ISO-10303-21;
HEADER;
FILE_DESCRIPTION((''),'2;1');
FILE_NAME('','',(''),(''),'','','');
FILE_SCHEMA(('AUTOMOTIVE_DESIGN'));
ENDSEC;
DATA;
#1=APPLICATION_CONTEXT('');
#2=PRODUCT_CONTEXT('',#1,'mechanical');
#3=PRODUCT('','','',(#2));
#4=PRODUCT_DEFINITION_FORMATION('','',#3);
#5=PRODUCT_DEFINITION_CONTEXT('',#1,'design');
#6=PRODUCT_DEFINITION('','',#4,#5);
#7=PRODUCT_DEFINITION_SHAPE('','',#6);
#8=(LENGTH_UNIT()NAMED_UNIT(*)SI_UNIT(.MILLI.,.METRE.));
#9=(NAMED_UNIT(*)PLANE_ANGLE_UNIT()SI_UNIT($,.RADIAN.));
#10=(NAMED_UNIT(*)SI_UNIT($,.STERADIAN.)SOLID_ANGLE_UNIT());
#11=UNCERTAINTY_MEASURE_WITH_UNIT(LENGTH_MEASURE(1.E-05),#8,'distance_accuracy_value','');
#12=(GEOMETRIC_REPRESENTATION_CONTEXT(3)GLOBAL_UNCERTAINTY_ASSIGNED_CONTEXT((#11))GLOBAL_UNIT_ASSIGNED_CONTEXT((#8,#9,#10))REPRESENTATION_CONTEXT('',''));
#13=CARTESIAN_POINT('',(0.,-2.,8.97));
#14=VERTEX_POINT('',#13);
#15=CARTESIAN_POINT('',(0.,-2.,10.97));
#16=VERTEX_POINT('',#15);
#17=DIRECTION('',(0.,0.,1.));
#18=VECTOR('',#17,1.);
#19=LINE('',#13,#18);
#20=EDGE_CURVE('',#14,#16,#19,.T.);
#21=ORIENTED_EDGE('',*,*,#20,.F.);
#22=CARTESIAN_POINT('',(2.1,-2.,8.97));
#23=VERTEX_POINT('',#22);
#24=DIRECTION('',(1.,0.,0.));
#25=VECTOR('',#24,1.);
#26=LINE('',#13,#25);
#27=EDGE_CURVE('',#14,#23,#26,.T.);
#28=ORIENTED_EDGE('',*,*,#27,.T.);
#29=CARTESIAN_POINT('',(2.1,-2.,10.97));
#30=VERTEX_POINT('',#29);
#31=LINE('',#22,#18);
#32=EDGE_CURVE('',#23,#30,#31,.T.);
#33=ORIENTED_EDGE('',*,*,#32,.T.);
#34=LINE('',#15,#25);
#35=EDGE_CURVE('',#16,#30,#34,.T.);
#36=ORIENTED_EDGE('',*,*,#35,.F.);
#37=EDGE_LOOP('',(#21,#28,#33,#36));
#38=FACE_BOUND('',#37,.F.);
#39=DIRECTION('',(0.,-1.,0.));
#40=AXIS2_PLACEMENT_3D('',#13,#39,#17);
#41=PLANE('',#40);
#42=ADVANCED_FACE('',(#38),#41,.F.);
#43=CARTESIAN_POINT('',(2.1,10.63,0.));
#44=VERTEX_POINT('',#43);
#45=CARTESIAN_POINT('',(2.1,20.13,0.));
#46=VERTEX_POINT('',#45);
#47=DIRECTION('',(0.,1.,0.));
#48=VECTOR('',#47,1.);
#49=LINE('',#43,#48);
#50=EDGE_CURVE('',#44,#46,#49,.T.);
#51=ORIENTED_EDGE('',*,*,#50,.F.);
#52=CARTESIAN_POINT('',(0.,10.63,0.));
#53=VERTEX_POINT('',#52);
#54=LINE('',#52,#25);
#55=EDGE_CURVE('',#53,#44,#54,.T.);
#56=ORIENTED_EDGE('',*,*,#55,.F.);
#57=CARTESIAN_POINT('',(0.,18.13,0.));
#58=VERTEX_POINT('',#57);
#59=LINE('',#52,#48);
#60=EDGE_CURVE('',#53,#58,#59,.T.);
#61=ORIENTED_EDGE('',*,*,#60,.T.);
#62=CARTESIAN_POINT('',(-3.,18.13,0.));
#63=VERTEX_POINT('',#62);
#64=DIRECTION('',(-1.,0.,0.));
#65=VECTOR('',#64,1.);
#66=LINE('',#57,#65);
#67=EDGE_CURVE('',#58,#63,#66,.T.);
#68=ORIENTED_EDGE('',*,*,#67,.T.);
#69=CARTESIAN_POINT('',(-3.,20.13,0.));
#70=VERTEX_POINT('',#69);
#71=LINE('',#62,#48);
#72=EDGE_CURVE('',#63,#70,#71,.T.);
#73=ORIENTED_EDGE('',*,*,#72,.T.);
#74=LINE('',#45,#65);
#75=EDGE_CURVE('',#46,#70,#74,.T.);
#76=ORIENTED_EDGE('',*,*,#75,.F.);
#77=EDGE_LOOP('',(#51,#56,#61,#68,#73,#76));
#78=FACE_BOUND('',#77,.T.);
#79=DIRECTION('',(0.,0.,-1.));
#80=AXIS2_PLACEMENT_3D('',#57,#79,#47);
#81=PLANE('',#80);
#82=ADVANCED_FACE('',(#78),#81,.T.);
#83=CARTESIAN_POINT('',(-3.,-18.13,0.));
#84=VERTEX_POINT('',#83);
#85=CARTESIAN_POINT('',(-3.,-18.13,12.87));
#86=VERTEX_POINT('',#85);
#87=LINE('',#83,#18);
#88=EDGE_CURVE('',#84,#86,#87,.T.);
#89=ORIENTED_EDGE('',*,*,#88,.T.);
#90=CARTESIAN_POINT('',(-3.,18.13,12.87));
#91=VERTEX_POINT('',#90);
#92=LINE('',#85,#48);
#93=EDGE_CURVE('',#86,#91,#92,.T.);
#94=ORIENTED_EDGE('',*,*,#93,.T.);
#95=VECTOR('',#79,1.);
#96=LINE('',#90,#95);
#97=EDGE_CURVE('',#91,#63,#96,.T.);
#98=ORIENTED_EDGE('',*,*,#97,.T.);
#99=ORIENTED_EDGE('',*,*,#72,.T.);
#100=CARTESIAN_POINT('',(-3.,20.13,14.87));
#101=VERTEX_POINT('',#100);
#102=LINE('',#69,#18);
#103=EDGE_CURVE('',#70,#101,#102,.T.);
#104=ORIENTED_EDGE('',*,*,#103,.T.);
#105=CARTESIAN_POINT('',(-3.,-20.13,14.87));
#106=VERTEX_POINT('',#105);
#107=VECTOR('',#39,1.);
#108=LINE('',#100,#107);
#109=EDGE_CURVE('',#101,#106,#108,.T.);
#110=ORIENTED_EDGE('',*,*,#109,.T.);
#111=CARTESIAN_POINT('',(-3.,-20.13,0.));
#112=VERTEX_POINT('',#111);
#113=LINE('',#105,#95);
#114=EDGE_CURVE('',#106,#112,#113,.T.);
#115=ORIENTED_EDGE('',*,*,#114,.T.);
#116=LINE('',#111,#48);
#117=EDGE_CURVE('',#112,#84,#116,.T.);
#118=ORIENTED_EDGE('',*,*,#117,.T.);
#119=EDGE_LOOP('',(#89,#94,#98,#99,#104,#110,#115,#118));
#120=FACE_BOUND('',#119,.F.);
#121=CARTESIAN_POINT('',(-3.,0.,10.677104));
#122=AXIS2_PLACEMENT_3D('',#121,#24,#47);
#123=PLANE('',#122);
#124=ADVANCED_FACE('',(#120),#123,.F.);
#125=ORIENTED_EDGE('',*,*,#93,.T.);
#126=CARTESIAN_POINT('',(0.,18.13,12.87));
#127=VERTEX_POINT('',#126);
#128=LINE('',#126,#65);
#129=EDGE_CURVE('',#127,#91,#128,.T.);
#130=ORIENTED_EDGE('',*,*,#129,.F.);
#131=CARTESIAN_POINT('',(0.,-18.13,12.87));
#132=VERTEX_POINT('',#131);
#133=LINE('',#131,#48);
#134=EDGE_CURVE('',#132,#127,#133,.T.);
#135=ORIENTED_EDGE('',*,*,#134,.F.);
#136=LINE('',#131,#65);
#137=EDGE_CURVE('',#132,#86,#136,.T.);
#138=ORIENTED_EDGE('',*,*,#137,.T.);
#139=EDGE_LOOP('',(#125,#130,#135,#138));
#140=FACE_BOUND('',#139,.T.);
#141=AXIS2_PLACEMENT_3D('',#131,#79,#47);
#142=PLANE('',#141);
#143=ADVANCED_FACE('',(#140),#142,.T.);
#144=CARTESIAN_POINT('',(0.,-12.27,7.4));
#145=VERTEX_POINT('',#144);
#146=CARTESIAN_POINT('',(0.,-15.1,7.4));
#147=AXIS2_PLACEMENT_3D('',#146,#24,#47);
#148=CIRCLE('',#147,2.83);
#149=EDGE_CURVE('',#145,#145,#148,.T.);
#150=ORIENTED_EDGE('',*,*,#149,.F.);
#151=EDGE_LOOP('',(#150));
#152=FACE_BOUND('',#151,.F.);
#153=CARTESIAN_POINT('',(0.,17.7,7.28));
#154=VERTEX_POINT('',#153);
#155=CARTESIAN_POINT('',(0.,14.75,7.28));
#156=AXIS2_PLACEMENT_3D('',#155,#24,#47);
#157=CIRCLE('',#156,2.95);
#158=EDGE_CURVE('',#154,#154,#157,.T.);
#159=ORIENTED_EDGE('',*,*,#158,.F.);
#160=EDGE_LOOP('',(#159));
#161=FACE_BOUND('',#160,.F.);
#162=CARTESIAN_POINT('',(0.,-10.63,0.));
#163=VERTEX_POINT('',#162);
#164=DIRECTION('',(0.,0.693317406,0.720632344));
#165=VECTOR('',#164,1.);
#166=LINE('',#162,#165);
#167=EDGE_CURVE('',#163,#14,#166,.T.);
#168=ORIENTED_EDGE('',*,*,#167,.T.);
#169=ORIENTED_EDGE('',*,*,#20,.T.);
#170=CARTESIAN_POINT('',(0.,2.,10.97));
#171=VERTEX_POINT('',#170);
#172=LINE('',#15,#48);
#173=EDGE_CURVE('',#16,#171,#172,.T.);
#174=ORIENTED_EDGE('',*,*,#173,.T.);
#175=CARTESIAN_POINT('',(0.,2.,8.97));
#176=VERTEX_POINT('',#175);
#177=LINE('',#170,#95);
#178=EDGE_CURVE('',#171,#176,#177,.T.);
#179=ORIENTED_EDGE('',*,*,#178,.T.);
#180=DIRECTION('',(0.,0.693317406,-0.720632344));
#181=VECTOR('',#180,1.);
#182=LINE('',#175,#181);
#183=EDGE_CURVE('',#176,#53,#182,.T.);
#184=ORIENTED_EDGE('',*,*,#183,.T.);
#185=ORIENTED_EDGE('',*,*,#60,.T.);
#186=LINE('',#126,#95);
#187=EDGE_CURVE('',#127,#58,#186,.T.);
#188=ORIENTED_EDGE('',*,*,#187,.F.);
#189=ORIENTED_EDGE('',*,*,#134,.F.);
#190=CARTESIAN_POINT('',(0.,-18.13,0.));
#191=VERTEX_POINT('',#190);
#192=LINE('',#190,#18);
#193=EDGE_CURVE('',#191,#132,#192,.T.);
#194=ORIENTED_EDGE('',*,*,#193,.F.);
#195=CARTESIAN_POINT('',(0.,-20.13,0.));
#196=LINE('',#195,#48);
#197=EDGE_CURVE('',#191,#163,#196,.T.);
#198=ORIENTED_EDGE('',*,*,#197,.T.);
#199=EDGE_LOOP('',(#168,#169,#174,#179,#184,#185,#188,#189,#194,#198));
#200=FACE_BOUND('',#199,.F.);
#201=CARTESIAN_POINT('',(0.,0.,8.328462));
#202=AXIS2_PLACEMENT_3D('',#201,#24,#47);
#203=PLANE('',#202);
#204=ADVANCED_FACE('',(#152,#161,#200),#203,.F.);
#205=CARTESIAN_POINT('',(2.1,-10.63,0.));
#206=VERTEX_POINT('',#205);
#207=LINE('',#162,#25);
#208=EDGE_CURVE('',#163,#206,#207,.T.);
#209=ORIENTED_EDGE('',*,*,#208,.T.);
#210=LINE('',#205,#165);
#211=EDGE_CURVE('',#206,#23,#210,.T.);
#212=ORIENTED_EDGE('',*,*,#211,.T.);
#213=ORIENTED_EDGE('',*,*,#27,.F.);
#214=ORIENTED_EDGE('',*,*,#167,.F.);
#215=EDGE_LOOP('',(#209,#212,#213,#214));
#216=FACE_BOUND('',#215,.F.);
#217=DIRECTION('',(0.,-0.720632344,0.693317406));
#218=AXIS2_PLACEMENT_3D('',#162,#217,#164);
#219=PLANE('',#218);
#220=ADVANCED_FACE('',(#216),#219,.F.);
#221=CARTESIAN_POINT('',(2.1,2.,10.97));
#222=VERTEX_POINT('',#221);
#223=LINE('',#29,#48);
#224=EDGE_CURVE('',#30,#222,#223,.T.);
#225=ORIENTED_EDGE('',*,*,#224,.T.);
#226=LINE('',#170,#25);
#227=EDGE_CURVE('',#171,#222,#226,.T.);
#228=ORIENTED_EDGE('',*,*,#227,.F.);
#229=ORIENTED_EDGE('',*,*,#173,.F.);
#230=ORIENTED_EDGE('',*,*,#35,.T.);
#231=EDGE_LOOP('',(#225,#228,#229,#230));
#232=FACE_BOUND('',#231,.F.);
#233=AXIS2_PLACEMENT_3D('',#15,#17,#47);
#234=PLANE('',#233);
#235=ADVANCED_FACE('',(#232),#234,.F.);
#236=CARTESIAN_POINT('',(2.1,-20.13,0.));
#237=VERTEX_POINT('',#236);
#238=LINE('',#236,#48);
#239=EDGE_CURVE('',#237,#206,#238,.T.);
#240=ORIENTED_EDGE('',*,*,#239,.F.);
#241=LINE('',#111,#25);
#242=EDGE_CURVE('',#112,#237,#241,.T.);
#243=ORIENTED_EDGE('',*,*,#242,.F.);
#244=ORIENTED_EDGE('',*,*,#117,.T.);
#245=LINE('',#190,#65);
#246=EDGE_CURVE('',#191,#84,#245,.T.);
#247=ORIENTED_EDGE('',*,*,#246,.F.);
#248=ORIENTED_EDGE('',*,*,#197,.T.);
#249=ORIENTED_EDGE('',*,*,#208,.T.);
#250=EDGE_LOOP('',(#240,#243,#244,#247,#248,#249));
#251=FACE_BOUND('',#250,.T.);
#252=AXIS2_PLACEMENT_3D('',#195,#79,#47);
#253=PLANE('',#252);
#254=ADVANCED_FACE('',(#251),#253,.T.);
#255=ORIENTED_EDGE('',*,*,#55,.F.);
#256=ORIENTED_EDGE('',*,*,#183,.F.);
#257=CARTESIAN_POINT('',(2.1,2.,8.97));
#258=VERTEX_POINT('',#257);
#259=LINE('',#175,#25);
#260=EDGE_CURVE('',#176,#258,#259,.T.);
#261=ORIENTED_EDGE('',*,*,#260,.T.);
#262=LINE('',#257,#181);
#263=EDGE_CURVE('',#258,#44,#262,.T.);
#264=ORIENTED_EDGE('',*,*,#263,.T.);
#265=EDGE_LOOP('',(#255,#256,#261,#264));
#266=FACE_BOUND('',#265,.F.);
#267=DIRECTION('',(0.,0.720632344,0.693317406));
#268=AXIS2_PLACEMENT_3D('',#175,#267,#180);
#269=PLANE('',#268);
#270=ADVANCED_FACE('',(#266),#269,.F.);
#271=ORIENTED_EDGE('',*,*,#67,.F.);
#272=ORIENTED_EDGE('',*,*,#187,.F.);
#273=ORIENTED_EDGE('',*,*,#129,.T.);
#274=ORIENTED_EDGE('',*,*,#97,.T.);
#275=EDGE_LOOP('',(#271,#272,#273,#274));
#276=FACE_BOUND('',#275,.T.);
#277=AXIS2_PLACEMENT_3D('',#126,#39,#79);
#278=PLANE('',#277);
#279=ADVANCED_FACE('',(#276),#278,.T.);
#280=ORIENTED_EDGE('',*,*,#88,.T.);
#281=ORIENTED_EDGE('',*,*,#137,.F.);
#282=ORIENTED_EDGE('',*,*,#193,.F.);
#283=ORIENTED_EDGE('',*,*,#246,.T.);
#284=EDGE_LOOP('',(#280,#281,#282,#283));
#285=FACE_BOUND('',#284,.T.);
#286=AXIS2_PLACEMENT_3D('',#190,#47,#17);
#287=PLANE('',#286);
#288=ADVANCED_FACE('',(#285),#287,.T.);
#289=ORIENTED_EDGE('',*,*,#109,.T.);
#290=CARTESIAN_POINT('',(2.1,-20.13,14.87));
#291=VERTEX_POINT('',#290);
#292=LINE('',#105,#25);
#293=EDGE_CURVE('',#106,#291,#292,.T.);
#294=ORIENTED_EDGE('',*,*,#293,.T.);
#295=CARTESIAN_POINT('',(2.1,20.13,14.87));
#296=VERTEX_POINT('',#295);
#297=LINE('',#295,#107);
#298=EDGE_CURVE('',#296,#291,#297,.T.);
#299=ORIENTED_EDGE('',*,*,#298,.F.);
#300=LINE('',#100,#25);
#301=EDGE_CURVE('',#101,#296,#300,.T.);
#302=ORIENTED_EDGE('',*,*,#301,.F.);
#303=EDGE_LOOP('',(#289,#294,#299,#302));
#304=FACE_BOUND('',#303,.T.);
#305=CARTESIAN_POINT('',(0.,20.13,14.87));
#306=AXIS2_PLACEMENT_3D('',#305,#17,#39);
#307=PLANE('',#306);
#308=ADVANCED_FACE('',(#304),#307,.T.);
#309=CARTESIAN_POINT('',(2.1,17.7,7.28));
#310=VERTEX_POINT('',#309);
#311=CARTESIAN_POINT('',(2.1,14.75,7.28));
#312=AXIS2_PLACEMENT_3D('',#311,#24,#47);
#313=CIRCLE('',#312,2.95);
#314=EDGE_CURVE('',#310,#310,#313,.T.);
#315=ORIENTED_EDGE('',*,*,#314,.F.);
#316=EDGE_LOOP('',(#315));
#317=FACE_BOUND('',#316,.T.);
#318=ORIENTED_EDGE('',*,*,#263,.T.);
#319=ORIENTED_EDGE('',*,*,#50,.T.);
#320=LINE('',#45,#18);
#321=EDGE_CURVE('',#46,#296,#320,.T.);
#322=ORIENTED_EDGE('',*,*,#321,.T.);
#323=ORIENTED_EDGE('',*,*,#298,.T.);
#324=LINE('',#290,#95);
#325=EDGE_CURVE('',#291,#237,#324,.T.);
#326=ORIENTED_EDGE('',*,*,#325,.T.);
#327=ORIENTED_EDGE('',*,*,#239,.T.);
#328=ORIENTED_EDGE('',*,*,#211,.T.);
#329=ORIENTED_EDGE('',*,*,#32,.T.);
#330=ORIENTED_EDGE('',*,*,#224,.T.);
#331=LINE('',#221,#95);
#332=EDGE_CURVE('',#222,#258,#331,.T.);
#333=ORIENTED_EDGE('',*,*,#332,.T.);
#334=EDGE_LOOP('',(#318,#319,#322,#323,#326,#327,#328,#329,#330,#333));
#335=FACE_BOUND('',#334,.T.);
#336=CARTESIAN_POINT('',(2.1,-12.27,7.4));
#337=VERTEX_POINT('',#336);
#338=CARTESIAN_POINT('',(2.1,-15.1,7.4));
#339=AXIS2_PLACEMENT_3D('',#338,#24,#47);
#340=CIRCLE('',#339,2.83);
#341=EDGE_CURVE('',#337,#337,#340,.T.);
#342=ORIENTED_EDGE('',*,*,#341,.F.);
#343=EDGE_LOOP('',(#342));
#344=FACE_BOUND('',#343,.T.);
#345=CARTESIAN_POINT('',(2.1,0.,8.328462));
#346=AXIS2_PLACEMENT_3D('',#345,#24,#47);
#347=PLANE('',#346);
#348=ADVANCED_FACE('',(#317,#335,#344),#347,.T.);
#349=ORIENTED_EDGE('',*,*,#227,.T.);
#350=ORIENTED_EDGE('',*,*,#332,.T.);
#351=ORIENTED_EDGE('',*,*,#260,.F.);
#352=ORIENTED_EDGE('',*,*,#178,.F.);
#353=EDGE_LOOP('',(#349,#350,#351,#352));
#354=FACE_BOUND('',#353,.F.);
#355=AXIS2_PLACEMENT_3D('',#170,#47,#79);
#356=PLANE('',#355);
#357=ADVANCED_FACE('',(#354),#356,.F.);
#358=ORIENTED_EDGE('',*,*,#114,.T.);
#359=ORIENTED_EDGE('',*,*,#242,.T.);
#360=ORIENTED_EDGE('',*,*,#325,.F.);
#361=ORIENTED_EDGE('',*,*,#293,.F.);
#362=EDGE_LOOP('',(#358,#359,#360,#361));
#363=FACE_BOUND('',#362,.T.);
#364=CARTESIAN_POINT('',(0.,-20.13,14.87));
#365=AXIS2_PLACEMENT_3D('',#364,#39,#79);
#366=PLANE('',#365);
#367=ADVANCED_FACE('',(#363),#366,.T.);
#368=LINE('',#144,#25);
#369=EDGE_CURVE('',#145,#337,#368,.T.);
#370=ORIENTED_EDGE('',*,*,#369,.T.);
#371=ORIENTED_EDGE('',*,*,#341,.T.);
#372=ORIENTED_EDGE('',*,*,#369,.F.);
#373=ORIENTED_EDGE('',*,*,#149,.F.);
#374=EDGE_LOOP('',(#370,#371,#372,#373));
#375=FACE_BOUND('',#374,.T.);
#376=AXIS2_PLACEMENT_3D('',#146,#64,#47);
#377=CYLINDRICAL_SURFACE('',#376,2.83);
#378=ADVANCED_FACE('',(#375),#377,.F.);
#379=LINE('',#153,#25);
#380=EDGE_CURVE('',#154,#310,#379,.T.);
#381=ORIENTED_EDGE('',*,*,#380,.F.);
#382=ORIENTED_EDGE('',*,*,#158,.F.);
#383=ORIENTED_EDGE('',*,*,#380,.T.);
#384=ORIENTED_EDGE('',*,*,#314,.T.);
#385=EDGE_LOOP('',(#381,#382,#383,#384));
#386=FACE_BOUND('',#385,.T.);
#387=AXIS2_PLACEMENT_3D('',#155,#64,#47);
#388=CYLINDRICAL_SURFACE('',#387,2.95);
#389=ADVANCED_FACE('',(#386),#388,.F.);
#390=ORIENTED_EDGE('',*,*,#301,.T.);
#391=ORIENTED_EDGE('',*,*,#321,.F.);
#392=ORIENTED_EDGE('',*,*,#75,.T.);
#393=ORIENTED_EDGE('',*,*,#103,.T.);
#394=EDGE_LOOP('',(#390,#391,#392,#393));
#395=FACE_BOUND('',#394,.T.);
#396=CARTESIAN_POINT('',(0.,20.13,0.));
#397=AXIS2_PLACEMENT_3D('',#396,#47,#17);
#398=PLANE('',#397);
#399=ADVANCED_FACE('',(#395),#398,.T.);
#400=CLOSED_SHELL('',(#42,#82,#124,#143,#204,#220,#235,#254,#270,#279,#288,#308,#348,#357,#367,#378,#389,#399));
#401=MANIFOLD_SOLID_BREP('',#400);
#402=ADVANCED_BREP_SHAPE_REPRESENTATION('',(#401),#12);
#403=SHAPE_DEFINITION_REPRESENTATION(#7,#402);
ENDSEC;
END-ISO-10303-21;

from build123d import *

# Parameters (mm, degrees)
F0_R     = 2.83
F0_R_2   = 2.95
F2_DEPTH = 2.1
F3_DEPTH = 3


with BuildPart() as f2:
    # F0 (on Right) → F2 (new body)
    with BuildSketch(Plane.YZ):
        Polygon((20.13, 14.87), (-20.13, 14.87), (-20.13, 0), (-10.63, 0), (-2, 8.97), (-2, 10.97), (2, 10.97), (2, 8.97), (10.63, 0), (20.13, 0), align=None)
        with Locations((-15.1, 7.4)):
            Circle(F0_R, mode=Mode.SUBTRACT)
        with Locations((14.75, 7.28)):
            Circle(F0_R_2, mode=Mode.SUBTRACT)
    extrude(amount=F2_DEPTH)

    # F1 (on Right) → F3 (join)
    with BuildSketch(Plane.YZ):
        Polygon((20.13, 0), (20.13, 14.87), (-20.13, 14.87), (-20.13, 0), (-18.13, 0), (-18.13, 12.87), (18.13, 12.87), (18.13, 0), align=None)
    extrude(amount=-F3_DEPTH)


solid = f2.part
